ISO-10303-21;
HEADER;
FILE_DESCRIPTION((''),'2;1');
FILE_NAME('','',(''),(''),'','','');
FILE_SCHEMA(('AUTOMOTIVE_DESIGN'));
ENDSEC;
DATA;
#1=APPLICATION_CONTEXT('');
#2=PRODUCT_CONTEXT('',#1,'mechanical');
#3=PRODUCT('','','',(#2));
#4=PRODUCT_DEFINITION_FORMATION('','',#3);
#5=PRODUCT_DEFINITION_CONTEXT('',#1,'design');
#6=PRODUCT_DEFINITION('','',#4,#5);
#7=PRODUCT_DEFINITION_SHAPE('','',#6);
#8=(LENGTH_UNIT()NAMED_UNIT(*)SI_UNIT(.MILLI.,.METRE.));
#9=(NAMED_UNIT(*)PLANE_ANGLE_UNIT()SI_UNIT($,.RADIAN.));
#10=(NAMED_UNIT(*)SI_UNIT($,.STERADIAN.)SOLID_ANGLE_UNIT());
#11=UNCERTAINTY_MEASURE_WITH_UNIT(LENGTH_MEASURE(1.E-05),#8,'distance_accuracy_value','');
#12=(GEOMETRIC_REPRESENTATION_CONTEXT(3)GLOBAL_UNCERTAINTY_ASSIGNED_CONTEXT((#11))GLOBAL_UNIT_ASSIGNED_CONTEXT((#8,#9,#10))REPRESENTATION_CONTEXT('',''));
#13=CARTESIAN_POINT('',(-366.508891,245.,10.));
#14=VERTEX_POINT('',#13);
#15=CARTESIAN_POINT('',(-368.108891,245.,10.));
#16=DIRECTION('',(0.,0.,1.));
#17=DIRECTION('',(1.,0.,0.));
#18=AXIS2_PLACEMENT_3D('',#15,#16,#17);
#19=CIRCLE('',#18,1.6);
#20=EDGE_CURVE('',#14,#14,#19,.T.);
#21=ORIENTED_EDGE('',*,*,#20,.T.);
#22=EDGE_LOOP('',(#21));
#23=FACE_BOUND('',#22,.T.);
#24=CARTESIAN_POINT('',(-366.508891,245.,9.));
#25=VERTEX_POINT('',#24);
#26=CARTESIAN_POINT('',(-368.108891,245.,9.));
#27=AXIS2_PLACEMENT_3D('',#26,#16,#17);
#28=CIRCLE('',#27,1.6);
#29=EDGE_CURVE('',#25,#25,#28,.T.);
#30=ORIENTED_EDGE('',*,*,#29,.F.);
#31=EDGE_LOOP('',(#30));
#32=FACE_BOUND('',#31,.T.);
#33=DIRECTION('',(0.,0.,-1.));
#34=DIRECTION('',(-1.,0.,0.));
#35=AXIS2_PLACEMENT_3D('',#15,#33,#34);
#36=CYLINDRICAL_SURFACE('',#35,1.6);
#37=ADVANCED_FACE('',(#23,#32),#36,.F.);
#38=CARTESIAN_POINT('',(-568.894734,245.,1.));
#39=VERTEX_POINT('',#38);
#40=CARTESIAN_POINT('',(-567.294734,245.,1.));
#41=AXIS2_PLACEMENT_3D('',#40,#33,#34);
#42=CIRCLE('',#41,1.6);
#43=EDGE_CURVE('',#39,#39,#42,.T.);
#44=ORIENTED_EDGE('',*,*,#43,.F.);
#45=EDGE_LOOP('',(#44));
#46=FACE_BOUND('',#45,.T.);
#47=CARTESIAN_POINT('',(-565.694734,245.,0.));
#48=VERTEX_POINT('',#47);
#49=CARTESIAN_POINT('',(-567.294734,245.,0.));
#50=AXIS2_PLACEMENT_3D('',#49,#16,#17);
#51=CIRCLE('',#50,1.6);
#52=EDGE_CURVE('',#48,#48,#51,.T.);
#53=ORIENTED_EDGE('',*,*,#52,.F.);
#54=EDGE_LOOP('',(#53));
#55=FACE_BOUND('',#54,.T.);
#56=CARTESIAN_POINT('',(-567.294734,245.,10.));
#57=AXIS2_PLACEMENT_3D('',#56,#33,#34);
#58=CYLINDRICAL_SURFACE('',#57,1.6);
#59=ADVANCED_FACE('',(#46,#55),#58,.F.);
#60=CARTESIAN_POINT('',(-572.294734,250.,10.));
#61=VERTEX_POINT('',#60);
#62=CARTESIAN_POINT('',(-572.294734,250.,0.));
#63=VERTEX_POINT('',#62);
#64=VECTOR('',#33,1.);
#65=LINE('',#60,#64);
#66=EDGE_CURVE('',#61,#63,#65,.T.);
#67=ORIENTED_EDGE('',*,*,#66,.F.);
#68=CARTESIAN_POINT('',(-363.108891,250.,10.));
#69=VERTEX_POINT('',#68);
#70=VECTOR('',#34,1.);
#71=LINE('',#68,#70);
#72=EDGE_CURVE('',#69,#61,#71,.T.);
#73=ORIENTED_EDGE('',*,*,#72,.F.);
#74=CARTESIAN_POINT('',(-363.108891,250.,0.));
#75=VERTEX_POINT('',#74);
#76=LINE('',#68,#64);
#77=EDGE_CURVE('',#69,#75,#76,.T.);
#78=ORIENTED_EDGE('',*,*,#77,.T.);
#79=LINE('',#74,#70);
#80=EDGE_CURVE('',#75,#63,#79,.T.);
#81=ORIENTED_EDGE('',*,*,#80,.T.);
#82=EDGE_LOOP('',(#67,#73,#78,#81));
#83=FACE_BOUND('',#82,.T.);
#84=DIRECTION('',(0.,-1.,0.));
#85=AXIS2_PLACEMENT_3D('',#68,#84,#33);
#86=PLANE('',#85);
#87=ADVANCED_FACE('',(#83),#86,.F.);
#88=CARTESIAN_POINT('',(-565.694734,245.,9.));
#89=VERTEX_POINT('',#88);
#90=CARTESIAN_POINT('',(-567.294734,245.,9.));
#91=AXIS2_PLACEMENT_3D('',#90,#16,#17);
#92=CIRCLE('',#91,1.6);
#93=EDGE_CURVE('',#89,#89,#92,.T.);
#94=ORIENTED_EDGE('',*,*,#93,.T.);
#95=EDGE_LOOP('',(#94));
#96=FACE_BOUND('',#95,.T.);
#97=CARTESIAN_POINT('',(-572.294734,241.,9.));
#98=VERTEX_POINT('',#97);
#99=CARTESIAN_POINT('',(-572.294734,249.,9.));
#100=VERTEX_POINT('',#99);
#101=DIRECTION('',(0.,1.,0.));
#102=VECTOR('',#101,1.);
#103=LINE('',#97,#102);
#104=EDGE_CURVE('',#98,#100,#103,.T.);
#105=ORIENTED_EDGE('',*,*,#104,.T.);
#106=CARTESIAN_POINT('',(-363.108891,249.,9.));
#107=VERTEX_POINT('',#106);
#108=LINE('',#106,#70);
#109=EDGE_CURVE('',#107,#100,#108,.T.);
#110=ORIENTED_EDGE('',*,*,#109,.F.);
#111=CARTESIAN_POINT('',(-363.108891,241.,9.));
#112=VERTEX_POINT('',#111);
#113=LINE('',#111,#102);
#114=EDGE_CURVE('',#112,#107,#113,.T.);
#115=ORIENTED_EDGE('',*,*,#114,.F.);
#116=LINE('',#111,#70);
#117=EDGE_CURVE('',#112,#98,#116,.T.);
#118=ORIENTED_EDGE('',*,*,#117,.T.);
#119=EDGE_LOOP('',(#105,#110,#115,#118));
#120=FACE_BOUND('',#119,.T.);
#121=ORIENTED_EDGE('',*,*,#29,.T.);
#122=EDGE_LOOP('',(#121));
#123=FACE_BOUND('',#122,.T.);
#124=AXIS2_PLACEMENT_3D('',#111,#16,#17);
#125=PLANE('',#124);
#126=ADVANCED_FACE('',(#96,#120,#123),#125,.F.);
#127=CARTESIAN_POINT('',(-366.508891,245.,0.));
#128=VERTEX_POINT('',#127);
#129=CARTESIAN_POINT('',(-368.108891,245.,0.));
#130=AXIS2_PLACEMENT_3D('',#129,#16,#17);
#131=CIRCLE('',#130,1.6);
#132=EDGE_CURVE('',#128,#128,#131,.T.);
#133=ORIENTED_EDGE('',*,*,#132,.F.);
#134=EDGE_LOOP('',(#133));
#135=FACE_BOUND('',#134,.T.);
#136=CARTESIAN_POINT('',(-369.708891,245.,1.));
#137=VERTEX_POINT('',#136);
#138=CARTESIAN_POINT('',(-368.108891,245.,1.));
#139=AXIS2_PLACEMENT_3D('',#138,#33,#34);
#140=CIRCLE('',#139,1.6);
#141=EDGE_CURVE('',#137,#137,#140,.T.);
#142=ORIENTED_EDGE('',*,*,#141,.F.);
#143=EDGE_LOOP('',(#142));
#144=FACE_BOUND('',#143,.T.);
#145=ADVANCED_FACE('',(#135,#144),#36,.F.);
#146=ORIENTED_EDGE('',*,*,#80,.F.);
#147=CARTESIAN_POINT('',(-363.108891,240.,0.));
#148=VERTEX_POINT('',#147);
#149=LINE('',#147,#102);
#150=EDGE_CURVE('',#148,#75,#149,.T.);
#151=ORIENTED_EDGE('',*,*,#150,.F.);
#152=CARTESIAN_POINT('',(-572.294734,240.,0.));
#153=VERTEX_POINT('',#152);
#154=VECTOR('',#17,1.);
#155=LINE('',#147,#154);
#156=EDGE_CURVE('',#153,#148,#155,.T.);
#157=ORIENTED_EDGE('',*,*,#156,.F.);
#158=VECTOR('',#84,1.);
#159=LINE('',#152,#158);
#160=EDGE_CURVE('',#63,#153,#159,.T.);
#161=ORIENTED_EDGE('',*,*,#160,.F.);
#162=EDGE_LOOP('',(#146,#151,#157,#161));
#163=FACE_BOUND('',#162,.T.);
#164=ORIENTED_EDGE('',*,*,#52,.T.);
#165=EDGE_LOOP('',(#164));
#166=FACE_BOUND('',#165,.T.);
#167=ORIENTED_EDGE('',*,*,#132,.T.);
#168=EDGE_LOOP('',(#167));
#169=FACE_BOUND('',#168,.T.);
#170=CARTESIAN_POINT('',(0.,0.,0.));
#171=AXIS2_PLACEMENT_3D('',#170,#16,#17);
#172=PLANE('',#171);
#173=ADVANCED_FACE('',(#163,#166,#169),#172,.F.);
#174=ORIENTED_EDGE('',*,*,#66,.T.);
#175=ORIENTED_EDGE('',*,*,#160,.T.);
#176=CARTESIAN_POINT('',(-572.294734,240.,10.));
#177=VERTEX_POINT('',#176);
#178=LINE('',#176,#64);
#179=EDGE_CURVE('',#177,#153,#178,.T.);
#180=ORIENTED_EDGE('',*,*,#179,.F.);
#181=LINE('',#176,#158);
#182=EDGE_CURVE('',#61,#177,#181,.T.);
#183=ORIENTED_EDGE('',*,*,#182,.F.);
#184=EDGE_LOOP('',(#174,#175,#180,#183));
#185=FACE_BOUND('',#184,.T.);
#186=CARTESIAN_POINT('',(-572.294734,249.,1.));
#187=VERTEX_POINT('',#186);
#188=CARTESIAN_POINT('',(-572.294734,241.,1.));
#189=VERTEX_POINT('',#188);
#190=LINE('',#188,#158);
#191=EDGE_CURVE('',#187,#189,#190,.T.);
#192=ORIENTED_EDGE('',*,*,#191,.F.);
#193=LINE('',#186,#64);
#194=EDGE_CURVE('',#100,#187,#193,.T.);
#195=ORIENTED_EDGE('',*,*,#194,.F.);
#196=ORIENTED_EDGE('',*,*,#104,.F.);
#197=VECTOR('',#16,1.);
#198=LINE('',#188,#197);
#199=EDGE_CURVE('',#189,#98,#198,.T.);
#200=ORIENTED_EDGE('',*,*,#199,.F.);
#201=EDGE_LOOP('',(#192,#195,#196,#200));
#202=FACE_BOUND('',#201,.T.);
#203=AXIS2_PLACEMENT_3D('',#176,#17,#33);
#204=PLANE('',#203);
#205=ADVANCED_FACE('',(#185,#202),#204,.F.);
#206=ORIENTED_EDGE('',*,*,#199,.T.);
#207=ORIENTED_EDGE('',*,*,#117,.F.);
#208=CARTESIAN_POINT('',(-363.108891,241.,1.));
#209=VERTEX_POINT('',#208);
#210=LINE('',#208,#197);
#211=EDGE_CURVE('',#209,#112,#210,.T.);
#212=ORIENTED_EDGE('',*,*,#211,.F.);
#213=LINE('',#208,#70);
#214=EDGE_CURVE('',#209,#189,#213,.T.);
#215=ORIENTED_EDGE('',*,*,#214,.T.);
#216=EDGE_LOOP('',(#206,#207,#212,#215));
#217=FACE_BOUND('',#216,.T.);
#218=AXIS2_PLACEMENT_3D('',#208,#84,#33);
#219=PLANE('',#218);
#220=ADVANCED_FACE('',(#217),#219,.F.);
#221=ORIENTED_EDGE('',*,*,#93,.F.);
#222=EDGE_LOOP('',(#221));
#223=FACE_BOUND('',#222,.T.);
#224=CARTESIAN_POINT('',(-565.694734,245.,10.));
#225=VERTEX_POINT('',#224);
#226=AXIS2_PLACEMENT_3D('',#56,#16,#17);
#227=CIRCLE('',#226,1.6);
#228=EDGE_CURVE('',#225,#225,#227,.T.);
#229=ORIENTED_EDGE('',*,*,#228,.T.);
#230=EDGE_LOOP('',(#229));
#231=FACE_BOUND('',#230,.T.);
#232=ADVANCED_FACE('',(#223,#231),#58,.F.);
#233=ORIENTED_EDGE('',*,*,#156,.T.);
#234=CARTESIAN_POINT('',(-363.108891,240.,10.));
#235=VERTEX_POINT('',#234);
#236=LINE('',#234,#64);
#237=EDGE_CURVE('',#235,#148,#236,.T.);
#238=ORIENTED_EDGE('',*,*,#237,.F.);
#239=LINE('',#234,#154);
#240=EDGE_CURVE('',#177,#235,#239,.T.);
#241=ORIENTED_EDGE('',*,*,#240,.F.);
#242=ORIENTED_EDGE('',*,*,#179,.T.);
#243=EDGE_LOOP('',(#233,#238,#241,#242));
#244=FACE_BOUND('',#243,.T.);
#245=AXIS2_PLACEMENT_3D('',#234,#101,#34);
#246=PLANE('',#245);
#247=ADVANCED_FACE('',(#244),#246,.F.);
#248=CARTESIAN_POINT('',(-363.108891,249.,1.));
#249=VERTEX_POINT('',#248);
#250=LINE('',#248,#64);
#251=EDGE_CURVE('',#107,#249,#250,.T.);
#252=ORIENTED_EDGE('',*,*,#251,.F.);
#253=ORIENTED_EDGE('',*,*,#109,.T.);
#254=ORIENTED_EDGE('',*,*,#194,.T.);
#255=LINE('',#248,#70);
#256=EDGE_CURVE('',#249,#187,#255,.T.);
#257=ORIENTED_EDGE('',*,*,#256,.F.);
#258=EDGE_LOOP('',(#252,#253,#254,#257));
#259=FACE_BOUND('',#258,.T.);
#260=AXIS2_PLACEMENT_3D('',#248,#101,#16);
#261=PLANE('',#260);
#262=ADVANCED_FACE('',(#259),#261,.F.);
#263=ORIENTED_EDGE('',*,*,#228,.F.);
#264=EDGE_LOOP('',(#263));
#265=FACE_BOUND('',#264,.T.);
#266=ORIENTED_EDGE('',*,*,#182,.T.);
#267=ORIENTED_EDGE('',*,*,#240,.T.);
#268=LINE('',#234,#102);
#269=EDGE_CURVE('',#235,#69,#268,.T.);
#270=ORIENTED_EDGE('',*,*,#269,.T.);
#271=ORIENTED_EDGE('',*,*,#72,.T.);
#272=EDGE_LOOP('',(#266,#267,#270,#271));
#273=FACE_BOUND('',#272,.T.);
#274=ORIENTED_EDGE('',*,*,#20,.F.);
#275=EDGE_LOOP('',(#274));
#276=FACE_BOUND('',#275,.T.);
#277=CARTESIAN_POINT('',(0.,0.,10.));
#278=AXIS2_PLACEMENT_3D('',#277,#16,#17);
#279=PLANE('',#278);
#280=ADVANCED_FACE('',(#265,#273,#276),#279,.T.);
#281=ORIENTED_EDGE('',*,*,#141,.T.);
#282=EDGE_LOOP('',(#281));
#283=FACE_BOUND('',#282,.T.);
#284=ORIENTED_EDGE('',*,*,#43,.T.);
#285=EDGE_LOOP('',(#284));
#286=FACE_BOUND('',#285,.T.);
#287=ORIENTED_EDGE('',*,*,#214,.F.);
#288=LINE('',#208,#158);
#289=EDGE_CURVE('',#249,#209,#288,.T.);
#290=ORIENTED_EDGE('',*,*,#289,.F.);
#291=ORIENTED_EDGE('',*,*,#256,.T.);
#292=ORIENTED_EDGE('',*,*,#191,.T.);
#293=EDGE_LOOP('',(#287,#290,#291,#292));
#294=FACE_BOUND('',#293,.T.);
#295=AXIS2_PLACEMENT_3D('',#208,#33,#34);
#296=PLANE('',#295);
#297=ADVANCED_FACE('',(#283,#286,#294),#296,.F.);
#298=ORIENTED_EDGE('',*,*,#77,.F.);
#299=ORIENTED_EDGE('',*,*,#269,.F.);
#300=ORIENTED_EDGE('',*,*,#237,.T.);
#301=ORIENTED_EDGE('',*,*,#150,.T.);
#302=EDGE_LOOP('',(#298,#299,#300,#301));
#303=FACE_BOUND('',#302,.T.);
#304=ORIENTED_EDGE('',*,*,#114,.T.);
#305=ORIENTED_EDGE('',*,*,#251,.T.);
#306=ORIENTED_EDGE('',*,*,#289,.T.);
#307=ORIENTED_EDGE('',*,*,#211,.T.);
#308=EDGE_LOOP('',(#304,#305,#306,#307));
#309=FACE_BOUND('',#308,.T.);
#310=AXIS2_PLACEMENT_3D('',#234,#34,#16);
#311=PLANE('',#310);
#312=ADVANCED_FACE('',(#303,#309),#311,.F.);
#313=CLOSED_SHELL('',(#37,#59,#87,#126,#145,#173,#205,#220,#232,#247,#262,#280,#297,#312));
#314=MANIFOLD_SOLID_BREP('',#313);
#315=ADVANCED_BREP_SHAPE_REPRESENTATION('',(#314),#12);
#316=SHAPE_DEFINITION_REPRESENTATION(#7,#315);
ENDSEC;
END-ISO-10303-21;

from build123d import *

# Parameters (mm, degrees)
SKETCH_1_W          = 209.185842875
SKETCH_1_H          = 10
SKETCH_1_R          = 1.6
EXTRUDE_1_DEPTH     = 10
SKETCH_2_W          = 8
SKETCH_2_H          = 8
CUT_EXTRUDE_1_DEPTH = 327.126841673


with BuildPart() as part:
    # ｽｹｯﾁ1 → ﾎﾞｽ - 押し出し1 (new body)
    with BuildSketch(Plane.XY):
        with Locations((-467.701812763, 245)):
            Rectangle(SKETCH_1_W, SKETCH_1_H)
        with Locations((-368.108891325, 245)):
            Circle(SKETCH_1_R, mode=Mode.SUBTRACT)
        with Locations((-567.2947342, 244.999999998)):
            Circle(SKETCH_1_R, mode=Mode.SUBTRACT)
    extrude(amount=EXTRUDE_1_DEPTH)

    # ｽｹｯﾁ2 → ｶｯﾄ - 押し出し1 (cut, through all)
    with BuildSketch(Plane.ZY.offset(572.2947342)):
        with Locations((5, 245)):
            Rectangle(SKETCH_2_W, SKETCH_2_H)
    extrude(amount=-CUT_EXTRUDE_1_DEPTH, mode=Mode.SUBTRACT)


solid = part.part
